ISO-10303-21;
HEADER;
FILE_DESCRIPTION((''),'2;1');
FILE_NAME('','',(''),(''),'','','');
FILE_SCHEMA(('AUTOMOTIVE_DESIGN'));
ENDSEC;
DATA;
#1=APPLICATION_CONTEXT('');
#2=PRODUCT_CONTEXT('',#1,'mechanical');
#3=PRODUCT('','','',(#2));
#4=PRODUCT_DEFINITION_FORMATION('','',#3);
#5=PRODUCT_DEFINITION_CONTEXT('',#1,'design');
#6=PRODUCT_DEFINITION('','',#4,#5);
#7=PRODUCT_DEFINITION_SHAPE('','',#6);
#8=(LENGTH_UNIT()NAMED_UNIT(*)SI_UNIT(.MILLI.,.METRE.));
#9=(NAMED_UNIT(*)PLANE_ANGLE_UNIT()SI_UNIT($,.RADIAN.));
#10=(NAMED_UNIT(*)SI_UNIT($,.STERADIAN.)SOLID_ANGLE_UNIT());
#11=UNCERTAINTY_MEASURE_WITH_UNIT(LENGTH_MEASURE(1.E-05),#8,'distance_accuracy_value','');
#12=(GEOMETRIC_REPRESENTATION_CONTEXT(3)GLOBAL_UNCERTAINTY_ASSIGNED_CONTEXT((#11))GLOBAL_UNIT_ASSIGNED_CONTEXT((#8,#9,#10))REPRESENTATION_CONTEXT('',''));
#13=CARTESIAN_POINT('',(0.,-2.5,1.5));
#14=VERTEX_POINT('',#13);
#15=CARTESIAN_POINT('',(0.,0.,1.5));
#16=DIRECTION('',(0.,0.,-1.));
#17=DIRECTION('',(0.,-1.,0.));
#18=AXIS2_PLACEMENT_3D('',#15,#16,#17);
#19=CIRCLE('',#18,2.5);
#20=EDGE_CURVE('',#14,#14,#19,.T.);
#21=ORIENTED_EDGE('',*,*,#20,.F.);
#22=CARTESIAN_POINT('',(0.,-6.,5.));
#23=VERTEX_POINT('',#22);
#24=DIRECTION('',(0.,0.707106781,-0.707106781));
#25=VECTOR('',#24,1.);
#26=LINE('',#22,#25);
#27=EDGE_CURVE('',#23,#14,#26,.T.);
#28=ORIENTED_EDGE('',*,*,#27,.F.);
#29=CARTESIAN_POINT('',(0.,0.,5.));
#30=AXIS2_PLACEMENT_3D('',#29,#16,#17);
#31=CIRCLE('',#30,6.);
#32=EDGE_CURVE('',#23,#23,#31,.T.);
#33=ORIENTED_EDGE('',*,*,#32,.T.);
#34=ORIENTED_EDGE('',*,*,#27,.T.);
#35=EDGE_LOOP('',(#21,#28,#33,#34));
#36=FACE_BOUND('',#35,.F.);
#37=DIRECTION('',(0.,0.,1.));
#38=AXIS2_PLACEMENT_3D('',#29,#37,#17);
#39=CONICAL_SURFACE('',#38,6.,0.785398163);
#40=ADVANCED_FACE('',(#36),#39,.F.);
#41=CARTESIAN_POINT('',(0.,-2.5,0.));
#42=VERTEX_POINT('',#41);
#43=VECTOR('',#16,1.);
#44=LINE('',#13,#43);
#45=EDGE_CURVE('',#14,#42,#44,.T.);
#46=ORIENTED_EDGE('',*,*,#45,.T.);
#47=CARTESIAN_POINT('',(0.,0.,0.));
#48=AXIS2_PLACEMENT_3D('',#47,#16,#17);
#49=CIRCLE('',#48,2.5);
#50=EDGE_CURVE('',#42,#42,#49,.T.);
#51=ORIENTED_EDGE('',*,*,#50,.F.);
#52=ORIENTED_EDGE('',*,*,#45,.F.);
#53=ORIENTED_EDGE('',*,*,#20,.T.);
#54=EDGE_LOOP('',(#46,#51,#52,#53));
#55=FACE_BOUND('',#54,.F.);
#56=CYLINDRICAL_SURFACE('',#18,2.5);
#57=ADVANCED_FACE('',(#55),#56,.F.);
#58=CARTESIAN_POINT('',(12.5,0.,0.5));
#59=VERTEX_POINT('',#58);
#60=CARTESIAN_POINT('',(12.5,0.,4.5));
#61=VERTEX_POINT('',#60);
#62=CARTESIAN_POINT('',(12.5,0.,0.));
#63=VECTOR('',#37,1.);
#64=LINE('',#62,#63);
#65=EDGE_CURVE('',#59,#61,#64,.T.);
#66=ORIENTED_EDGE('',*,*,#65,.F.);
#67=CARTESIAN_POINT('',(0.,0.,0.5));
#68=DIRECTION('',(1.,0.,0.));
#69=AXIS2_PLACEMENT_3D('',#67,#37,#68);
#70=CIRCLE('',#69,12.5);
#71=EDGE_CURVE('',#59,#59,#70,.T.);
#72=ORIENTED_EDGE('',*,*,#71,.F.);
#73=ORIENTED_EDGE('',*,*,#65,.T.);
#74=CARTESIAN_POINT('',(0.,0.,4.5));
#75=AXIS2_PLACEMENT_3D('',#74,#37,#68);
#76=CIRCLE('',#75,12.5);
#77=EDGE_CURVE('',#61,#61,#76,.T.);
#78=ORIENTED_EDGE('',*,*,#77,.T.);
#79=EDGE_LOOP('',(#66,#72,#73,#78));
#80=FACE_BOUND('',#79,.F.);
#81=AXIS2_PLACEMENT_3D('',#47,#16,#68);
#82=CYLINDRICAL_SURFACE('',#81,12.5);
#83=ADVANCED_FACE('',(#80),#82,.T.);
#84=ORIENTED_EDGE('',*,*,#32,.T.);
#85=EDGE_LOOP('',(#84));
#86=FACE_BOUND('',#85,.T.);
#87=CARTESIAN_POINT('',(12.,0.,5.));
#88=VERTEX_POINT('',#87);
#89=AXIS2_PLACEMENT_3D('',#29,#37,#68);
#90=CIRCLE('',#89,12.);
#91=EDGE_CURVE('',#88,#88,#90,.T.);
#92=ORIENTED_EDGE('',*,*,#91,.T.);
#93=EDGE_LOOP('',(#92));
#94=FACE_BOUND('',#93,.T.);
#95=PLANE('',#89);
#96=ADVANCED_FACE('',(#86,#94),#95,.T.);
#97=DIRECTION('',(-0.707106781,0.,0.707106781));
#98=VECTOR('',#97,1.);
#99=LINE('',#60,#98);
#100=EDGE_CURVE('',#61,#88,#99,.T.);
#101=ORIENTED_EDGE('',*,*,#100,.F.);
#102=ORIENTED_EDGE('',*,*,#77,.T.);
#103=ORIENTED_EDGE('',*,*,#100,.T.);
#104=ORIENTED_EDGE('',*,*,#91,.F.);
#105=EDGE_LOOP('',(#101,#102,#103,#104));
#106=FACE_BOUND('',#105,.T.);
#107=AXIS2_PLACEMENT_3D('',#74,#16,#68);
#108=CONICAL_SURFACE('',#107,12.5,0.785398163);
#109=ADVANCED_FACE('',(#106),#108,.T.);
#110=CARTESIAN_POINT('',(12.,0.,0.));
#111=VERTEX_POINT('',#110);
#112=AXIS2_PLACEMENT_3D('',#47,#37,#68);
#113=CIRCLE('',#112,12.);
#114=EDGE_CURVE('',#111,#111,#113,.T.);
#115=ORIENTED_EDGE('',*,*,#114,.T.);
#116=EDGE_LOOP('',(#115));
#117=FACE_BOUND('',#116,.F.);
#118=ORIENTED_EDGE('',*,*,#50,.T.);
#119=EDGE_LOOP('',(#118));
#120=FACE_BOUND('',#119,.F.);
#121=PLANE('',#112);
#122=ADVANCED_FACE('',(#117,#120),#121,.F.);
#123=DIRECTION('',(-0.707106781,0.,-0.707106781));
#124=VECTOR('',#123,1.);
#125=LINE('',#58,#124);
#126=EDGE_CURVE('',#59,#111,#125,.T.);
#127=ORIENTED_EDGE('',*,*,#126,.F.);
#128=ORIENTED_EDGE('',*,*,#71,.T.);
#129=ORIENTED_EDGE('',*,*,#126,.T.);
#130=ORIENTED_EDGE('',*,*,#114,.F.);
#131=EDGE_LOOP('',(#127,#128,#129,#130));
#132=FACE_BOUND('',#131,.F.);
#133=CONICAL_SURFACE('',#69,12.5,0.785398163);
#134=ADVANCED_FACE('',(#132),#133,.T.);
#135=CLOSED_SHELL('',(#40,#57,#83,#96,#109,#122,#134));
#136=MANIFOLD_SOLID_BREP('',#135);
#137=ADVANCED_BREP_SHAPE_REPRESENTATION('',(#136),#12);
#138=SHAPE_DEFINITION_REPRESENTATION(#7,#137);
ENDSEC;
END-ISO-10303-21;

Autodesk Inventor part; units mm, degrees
ref_plane "YZ Plane" through (0, 0, 0) normal (1, 0, 0) x (0, 1, 0)
ref_plane "XZ Plane" through (0, 0, 0) normal (0, 1, 0) x (-1, 0, 0)
ref_plane "XY Plane" through (0, 0, 0) normal (0, 0, 1) x (1, 0, 0)
sketch "Skizze1" plane through (0, 0, 0) normal (0, 0, 1) x (1, 0, 0)
  circle A0 centre (0, 0) radius 12.5
  dimension "d0" = 25
extrude "Extrusion1" add sketch "Skizze1" along normal blind 5
chamfer "Fasen1" distance 0.5 angle 45 2 edges at (-12.5, 0, 0) (-12.5, 0, 5)
sketch "Skizze2" plane through (0, 0, 5) normal (0, 0, 1) x (1, 0, 0)
  circle A0 centre (0, 0) radius 12 projected
hole "Bohrung1" at (0, 0, 5) direction (0, 0, -1) diameter 5 end through all countersink diameter 12 countersink angle 90
properties part number "Magnet"
